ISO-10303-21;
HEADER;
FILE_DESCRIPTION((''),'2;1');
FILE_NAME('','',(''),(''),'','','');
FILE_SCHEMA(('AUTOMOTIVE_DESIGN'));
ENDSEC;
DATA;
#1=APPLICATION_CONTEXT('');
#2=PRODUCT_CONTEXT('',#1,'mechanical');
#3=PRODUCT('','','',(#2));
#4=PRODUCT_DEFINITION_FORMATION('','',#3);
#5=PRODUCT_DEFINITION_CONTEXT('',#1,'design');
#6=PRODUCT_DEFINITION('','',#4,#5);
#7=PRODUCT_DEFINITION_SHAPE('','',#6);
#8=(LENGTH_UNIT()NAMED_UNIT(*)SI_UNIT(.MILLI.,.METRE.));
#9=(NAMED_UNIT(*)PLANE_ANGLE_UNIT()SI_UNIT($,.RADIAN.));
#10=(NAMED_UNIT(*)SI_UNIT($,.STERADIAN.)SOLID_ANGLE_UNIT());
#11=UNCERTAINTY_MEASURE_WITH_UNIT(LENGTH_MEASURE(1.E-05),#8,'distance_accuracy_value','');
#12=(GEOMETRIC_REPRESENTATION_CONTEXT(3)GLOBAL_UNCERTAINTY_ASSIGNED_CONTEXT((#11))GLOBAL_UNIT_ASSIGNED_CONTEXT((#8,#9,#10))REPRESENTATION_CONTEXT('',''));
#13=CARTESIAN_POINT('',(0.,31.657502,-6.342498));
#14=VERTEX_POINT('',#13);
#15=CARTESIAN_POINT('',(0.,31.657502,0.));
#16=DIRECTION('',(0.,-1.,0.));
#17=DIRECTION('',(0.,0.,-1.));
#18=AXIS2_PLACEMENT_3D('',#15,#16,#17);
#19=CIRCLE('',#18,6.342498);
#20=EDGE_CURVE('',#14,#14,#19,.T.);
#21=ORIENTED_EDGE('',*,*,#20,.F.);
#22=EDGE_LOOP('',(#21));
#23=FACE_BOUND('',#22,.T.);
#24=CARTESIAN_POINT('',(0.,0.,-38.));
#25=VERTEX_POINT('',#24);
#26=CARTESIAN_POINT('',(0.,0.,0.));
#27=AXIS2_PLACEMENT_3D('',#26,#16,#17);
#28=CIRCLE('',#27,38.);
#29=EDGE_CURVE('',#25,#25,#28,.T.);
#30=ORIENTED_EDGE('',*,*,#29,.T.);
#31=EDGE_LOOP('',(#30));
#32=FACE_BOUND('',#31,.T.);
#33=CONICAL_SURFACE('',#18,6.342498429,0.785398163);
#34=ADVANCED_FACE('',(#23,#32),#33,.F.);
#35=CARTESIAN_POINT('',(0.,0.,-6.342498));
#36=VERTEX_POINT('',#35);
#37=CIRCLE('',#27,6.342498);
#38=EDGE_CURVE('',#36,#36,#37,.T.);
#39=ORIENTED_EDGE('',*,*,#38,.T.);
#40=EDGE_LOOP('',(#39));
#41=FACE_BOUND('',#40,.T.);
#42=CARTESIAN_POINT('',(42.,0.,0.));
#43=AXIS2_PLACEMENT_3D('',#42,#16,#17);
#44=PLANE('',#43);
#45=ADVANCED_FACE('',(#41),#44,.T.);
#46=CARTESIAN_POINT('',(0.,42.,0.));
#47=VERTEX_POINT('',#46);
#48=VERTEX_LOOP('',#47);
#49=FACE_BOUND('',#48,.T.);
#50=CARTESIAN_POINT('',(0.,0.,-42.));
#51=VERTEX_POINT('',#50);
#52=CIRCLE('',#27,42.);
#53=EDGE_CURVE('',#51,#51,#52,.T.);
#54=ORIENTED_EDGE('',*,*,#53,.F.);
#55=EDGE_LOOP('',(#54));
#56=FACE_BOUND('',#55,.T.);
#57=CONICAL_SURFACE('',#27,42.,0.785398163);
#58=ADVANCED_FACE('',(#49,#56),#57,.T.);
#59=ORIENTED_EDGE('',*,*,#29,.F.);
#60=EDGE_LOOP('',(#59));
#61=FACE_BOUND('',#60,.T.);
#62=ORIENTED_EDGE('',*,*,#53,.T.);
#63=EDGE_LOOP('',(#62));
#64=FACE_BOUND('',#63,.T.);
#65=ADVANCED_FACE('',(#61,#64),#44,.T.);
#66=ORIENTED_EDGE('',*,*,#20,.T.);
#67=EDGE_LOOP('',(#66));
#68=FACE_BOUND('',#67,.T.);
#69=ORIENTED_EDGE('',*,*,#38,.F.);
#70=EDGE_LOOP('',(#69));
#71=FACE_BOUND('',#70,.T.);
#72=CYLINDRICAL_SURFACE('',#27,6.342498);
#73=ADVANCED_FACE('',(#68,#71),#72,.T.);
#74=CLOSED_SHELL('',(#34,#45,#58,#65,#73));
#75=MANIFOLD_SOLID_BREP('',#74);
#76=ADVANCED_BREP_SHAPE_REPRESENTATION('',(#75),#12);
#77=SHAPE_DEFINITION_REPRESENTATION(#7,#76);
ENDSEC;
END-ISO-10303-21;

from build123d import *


with BuildPart() as part:
    # Sketch1 → Revolve1 (revolve)
    with BuildSketch(Plane.XY):
        Polygon((0, 0), (0, 42), (42, 0), align=None)
    revolve(axis=Axis((0, 0, 0), (0, 1, 0)))

    # Sketch2 → Cut-Revolve1 (revolve, cut)
    with BuildSketch(Plane.XY):
        Polygon((6.342498429, 31.657501571), (6.342498429, 0), (38, 0), align=None)
    revolve(axis=Axis((0, 0, 0), (0, 1, 0)), mode=Mode.SUBTRACT)


solid = part.part
